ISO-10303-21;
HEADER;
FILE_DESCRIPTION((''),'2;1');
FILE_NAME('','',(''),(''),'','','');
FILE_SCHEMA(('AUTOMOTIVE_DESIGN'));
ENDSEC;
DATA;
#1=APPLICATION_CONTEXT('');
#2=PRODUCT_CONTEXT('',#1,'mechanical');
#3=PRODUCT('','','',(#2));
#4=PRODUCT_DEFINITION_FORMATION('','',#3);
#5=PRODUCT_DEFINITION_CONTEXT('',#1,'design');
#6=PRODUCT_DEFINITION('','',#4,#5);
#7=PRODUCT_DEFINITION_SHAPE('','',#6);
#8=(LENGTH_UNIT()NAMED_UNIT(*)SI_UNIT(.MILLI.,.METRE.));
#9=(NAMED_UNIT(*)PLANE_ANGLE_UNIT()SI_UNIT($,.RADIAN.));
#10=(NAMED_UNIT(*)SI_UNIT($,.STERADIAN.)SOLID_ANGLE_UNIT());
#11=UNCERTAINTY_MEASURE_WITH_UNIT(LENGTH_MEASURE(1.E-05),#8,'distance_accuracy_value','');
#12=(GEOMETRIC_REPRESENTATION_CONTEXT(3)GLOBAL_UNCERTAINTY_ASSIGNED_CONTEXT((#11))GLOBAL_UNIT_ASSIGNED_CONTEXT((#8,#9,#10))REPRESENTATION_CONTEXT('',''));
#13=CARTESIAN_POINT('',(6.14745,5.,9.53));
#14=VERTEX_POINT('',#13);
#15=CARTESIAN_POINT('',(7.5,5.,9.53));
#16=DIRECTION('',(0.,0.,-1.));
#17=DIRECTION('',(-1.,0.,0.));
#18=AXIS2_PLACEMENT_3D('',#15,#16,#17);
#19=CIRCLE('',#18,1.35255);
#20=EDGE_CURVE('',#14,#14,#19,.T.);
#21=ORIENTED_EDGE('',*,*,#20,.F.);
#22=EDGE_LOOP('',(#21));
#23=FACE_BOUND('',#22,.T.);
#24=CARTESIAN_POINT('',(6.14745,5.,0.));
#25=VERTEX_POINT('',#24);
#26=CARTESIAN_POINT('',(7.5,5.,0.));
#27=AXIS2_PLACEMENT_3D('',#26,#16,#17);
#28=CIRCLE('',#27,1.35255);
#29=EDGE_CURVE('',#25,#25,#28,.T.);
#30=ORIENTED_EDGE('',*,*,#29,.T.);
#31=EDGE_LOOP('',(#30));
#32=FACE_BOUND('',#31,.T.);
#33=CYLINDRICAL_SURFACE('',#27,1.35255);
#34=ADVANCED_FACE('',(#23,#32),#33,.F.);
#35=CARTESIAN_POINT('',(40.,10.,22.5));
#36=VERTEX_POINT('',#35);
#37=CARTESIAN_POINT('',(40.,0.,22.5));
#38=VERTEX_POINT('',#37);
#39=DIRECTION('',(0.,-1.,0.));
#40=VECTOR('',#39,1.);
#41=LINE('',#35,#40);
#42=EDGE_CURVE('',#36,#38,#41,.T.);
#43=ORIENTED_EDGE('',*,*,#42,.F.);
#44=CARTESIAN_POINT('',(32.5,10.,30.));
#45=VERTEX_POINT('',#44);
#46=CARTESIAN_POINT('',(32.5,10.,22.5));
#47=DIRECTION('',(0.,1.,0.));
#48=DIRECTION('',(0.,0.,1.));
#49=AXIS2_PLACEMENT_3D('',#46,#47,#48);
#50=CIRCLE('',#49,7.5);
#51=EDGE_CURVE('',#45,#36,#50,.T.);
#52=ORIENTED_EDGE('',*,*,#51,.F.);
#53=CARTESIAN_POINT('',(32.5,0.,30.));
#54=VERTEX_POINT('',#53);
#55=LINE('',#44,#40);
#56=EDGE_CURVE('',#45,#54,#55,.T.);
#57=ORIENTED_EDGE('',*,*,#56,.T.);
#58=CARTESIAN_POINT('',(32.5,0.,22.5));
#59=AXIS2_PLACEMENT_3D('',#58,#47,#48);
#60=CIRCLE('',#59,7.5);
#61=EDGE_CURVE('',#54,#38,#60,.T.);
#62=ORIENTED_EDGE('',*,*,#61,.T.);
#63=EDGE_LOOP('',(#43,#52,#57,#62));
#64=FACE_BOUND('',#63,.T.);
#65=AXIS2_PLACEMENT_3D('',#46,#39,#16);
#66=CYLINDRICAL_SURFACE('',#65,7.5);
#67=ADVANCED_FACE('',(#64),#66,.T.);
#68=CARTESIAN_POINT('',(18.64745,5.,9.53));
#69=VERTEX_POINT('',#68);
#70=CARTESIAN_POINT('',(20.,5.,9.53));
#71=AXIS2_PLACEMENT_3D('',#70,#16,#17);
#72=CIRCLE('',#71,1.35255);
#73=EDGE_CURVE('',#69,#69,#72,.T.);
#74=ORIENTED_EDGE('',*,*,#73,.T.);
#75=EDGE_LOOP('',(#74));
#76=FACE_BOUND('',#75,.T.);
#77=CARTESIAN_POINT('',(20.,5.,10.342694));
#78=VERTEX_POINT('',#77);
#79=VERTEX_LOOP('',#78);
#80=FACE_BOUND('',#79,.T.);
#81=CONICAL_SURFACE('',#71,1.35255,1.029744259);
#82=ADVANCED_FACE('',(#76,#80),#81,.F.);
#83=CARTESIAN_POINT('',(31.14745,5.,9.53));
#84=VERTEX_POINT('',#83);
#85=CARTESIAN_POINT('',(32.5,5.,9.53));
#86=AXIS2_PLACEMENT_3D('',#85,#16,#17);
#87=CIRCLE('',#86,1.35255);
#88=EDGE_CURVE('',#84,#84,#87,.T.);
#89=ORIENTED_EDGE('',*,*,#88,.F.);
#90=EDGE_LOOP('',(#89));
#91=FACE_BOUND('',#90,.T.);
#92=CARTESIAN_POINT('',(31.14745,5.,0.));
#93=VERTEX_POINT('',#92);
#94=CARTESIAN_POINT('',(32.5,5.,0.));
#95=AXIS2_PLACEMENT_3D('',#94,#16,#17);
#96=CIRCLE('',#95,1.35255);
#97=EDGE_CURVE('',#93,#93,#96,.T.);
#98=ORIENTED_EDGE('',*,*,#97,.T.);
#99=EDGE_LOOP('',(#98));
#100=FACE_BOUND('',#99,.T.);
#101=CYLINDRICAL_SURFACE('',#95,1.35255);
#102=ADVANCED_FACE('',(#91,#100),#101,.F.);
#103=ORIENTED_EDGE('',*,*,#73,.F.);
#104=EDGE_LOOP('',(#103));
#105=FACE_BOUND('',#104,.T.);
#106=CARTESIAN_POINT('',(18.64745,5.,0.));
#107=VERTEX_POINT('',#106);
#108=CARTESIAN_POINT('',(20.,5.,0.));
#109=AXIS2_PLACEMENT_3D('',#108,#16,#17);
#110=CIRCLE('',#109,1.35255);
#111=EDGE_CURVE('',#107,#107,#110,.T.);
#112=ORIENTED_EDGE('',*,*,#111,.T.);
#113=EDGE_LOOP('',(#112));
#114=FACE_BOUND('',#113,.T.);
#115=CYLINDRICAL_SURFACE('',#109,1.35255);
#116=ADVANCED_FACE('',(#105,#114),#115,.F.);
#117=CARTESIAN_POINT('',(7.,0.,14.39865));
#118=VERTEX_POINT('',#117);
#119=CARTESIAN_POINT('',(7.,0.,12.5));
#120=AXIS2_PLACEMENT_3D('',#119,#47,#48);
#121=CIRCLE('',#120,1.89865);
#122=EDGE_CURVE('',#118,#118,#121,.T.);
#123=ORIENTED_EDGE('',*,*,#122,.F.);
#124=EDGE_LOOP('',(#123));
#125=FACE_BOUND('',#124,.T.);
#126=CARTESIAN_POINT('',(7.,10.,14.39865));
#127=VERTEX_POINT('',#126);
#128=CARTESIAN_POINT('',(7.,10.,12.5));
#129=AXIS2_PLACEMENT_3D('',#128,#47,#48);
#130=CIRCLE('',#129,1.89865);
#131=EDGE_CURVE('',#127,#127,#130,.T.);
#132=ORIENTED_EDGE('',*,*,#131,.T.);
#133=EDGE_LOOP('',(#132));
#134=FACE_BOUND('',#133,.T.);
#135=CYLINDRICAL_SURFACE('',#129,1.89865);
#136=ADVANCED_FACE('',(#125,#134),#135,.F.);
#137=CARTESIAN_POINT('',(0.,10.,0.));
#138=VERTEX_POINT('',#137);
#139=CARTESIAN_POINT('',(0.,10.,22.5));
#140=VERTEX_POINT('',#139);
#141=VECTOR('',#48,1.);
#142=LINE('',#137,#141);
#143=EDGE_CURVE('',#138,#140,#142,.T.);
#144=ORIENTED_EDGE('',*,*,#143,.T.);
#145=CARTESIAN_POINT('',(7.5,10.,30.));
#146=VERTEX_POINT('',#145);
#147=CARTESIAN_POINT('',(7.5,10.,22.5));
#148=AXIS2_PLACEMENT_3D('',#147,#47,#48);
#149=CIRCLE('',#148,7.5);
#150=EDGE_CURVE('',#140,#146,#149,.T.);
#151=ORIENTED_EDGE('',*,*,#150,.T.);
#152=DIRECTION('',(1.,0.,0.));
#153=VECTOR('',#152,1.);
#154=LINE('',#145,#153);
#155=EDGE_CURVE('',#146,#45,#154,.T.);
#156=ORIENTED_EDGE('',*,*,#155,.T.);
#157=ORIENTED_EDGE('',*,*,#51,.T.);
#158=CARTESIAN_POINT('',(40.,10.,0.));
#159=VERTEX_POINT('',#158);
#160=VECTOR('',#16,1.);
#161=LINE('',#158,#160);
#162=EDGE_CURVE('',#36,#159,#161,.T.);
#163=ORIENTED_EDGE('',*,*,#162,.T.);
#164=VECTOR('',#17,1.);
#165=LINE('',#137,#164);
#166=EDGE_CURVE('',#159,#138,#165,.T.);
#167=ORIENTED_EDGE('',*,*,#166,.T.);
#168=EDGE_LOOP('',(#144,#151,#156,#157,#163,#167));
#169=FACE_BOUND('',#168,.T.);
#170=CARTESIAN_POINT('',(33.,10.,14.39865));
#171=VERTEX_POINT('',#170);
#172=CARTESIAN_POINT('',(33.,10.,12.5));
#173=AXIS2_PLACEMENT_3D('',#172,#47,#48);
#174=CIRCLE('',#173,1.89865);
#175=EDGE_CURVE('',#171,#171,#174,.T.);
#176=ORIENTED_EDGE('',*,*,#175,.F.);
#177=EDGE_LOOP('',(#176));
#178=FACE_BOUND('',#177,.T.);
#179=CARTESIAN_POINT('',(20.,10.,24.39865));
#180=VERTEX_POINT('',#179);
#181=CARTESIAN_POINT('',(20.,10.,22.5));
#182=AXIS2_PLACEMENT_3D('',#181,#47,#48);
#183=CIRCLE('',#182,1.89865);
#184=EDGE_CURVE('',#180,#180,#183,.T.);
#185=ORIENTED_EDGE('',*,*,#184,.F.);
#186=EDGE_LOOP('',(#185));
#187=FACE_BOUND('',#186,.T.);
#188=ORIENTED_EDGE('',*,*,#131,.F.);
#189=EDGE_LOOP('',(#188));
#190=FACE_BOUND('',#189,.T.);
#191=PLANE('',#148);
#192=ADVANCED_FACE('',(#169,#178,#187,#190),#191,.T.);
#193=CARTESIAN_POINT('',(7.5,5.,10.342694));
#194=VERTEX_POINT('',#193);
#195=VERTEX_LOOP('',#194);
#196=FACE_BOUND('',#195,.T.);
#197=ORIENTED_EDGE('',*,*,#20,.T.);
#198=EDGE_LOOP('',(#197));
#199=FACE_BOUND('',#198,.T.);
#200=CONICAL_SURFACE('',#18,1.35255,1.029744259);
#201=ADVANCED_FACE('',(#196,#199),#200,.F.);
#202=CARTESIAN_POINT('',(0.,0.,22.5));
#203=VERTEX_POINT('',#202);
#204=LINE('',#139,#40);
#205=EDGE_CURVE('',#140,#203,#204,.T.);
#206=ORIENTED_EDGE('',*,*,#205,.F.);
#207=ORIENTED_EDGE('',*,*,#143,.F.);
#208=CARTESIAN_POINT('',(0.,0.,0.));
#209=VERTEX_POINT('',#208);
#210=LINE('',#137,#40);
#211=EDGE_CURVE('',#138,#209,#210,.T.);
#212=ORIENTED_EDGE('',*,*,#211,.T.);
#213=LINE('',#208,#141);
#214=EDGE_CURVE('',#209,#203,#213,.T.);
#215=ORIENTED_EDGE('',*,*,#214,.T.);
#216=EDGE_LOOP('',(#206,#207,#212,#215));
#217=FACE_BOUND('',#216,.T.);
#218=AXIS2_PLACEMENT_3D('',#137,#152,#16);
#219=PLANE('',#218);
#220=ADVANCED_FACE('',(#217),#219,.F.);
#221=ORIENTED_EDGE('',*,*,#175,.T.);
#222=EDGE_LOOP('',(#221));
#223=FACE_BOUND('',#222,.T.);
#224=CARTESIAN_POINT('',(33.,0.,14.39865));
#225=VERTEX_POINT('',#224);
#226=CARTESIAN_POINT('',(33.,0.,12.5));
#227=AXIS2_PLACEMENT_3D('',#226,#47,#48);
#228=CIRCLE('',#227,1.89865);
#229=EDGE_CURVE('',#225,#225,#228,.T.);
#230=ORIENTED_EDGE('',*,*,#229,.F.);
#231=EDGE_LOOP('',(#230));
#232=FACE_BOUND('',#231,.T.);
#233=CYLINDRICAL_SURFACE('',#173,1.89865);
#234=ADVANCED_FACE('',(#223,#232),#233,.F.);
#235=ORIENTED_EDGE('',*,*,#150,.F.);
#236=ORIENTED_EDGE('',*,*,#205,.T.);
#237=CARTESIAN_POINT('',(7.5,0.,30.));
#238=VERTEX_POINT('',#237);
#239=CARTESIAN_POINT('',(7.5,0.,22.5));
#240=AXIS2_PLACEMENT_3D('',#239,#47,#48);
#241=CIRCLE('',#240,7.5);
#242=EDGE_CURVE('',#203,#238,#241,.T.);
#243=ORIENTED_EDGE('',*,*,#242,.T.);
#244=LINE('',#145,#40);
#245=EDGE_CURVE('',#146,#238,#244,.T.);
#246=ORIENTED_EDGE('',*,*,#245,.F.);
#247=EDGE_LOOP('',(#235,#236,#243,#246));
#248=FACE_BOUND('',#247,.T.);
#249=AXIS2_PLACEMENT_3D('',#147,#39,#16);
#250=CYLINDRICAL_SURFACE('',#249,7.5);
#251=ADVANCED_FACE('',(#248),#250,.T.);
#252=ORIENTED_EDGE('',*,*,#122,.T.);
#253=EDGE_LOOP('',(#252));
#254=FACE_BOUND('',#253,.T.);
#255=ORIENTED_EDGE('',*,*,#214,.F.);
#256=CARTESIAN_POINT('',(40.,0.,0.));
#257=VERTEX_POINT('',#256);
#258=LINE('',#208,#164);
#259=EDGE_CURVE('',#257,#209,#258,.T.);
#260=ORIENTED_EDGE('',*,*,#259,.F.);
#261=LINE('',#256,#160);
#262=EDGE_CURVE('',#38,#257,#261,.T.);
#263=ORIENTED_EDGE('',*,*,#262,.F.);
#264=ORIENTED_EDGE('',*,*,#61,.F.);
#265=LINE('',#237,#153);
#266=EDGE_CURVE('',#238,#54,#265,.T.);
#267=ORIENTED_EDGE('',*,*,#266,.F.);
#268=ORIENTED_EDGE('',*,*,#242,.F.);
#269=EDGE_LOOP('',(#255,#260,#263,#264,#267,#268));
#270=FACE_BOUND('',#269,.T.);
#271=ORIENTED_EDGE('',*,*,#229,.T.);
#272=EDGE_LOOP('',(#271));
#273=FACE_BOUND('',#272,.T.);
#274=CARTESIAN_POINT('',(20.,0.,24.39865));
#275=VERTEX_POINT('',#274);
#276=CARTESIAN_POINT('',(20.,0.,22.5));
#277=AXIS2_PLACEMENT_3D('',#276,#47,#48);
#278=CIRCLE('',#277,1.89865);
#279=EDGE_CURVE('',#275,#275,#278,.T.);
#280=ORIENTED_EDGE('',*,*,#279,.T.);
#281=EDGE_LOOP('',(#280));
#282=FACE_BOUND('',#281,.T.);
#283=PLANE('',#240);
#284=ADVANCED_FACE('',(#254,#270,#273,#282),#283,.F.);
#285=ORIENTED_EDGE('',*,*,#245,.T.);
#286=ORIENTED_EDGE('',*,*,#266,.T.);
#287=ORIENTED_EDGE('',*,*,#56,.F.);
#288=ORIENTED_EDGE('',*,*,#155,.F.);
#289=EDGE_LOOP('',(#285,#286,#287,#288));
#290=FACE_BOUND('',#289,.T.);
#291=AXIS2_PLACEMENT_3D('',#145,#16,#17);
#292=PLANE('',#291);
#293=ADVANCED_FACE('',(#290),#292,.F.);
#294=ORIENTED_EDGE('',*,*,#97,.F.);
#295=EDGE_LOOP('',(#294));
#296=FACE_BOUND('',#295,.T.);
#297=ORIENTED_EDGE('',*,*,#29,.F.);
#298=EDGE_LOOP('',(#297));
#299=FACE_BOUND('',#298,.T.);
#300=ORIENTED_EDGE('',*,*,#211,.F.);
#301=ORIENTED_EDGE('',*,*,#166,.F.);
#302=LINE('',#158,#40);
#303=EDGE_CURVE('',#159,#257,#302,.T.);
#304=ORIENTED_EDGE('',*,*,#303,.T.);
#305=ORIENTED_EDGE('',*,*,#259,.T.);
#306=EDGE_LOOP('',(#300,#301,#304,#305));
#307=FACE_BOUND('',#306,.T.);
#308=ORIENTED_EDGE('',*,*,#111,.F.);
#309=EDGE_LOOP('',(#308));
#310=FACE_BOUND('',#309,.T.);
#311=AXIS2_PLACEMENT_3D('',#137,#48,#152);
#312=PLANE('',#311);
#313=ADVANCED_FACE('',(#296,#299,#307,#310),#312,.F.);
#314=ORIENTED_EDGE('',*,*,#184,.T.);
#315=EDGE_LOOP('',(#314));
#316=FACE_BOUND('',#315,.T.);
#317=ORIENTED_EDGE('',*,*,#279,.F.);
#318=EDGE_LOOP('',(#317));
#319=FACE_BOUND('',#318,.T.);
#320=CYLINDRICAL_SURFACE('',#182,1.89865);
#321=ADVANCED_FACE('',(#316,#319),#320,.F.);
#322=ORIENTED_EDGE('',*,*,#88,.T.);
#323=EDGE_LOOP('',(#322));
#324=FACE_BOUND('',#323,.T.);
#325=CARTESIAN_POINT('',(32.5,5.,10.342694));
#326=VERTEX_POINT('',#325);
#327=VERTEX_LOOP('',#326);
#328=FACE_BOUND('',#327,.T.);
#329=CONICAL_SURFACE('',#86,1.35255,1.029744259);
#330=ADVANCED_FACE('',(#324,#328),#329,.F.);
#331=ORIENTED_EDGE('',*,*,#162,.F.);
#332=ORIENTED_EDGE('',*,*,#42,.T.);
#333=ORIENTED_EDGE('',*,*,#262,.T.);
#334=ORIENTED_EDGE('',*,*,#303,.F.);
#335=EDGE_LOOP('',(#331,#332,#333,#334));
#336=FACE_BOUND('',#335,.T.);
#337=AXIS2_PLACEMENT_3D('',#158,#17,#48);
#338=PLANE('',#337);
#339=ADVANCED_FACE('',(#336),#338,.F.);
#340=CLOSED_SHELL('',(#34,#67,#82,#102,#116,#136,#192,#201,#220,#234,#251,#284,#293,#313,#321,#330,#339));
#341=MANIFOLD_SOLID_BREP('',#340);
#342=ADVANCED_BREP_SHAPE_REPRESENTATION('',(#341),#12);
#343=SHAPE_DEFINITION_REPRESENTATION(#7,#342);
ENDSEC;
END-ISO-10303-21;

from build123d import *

# Parameters (mm, degrees)
BOSS_EXTRUDE1_DEPTH       = 10
F_6_CLEARANCE_HOLE1_D     = 3.7973
F_6_32_TAPPED_HOLE1_D     = 2.7051
F_6_32_TAPPED_HOLE1_DEPTH = 9.53
F_6_32_TAPPED_HOLE1_TIP   = 0.81269403


with BuildPart() as part:
    # Sketch1 → Boss-Extrude1 (new body)
    with BuildSketch(Plane(origin=(0, 0, 0), x_dir=(1, 0, 0), z_dir=(0, 1, 0))):
        with BuildLine():
            Line((0, 0), (40, 0))
            Line((40, 0), (40, -22.5))
            ThreePointArc((40, -22.5), (37.803300859, -27.803300859), (32.5, -30))
            Line((32.5, -30), (7.5, -30))
            ThreePointArc((7.5, -30), (2.196699141, -27.803300859), (0, -22.5))
            Line((0, -22.5), (0, 0))
        make_face()
    extrude(amount=BOSS_EXTRUDE1_DEPTH)

    # #6 Clearance Hole1 (through all)
    with Locations(Plane(origin=(0, 10, 0), x_dir=(1, 0, 0), z_dir=(0, 1, 0))):
        with Locations((7, -12.5), (33, -12.5), (20, -22.5)):
            Hole(F_6_CLEARANCE_HOLE1_D / 2)

    # #6-32 Tapped Hole1
    with Locations(Plane(origin=(0, 0, 0), x_dir=(-1, 0, 0), z_dir=(0, 0, -1))):
        with Locations((-32.5, 5), (-20, 5), (-7.5, 5)):
            Hole(F_6_32_TAPPED_HOLE1_D / 2, depth=F_6_32_TAPPED_HOLE1_DEPTH)
            with Locations((0, 0, -(F_6_32_TAPPED_HOLE1_DEPTH + F_6_32_TAPPED_HOLE1_TIP / 2))):  # 118° drill point
                Cone(0, F_6_32_TAPPED_HOLE1_D / 2, F_6_32_TAPPED_HOLE1_TIP, mode=Mode.SUBTRACT)


solid = part.part
